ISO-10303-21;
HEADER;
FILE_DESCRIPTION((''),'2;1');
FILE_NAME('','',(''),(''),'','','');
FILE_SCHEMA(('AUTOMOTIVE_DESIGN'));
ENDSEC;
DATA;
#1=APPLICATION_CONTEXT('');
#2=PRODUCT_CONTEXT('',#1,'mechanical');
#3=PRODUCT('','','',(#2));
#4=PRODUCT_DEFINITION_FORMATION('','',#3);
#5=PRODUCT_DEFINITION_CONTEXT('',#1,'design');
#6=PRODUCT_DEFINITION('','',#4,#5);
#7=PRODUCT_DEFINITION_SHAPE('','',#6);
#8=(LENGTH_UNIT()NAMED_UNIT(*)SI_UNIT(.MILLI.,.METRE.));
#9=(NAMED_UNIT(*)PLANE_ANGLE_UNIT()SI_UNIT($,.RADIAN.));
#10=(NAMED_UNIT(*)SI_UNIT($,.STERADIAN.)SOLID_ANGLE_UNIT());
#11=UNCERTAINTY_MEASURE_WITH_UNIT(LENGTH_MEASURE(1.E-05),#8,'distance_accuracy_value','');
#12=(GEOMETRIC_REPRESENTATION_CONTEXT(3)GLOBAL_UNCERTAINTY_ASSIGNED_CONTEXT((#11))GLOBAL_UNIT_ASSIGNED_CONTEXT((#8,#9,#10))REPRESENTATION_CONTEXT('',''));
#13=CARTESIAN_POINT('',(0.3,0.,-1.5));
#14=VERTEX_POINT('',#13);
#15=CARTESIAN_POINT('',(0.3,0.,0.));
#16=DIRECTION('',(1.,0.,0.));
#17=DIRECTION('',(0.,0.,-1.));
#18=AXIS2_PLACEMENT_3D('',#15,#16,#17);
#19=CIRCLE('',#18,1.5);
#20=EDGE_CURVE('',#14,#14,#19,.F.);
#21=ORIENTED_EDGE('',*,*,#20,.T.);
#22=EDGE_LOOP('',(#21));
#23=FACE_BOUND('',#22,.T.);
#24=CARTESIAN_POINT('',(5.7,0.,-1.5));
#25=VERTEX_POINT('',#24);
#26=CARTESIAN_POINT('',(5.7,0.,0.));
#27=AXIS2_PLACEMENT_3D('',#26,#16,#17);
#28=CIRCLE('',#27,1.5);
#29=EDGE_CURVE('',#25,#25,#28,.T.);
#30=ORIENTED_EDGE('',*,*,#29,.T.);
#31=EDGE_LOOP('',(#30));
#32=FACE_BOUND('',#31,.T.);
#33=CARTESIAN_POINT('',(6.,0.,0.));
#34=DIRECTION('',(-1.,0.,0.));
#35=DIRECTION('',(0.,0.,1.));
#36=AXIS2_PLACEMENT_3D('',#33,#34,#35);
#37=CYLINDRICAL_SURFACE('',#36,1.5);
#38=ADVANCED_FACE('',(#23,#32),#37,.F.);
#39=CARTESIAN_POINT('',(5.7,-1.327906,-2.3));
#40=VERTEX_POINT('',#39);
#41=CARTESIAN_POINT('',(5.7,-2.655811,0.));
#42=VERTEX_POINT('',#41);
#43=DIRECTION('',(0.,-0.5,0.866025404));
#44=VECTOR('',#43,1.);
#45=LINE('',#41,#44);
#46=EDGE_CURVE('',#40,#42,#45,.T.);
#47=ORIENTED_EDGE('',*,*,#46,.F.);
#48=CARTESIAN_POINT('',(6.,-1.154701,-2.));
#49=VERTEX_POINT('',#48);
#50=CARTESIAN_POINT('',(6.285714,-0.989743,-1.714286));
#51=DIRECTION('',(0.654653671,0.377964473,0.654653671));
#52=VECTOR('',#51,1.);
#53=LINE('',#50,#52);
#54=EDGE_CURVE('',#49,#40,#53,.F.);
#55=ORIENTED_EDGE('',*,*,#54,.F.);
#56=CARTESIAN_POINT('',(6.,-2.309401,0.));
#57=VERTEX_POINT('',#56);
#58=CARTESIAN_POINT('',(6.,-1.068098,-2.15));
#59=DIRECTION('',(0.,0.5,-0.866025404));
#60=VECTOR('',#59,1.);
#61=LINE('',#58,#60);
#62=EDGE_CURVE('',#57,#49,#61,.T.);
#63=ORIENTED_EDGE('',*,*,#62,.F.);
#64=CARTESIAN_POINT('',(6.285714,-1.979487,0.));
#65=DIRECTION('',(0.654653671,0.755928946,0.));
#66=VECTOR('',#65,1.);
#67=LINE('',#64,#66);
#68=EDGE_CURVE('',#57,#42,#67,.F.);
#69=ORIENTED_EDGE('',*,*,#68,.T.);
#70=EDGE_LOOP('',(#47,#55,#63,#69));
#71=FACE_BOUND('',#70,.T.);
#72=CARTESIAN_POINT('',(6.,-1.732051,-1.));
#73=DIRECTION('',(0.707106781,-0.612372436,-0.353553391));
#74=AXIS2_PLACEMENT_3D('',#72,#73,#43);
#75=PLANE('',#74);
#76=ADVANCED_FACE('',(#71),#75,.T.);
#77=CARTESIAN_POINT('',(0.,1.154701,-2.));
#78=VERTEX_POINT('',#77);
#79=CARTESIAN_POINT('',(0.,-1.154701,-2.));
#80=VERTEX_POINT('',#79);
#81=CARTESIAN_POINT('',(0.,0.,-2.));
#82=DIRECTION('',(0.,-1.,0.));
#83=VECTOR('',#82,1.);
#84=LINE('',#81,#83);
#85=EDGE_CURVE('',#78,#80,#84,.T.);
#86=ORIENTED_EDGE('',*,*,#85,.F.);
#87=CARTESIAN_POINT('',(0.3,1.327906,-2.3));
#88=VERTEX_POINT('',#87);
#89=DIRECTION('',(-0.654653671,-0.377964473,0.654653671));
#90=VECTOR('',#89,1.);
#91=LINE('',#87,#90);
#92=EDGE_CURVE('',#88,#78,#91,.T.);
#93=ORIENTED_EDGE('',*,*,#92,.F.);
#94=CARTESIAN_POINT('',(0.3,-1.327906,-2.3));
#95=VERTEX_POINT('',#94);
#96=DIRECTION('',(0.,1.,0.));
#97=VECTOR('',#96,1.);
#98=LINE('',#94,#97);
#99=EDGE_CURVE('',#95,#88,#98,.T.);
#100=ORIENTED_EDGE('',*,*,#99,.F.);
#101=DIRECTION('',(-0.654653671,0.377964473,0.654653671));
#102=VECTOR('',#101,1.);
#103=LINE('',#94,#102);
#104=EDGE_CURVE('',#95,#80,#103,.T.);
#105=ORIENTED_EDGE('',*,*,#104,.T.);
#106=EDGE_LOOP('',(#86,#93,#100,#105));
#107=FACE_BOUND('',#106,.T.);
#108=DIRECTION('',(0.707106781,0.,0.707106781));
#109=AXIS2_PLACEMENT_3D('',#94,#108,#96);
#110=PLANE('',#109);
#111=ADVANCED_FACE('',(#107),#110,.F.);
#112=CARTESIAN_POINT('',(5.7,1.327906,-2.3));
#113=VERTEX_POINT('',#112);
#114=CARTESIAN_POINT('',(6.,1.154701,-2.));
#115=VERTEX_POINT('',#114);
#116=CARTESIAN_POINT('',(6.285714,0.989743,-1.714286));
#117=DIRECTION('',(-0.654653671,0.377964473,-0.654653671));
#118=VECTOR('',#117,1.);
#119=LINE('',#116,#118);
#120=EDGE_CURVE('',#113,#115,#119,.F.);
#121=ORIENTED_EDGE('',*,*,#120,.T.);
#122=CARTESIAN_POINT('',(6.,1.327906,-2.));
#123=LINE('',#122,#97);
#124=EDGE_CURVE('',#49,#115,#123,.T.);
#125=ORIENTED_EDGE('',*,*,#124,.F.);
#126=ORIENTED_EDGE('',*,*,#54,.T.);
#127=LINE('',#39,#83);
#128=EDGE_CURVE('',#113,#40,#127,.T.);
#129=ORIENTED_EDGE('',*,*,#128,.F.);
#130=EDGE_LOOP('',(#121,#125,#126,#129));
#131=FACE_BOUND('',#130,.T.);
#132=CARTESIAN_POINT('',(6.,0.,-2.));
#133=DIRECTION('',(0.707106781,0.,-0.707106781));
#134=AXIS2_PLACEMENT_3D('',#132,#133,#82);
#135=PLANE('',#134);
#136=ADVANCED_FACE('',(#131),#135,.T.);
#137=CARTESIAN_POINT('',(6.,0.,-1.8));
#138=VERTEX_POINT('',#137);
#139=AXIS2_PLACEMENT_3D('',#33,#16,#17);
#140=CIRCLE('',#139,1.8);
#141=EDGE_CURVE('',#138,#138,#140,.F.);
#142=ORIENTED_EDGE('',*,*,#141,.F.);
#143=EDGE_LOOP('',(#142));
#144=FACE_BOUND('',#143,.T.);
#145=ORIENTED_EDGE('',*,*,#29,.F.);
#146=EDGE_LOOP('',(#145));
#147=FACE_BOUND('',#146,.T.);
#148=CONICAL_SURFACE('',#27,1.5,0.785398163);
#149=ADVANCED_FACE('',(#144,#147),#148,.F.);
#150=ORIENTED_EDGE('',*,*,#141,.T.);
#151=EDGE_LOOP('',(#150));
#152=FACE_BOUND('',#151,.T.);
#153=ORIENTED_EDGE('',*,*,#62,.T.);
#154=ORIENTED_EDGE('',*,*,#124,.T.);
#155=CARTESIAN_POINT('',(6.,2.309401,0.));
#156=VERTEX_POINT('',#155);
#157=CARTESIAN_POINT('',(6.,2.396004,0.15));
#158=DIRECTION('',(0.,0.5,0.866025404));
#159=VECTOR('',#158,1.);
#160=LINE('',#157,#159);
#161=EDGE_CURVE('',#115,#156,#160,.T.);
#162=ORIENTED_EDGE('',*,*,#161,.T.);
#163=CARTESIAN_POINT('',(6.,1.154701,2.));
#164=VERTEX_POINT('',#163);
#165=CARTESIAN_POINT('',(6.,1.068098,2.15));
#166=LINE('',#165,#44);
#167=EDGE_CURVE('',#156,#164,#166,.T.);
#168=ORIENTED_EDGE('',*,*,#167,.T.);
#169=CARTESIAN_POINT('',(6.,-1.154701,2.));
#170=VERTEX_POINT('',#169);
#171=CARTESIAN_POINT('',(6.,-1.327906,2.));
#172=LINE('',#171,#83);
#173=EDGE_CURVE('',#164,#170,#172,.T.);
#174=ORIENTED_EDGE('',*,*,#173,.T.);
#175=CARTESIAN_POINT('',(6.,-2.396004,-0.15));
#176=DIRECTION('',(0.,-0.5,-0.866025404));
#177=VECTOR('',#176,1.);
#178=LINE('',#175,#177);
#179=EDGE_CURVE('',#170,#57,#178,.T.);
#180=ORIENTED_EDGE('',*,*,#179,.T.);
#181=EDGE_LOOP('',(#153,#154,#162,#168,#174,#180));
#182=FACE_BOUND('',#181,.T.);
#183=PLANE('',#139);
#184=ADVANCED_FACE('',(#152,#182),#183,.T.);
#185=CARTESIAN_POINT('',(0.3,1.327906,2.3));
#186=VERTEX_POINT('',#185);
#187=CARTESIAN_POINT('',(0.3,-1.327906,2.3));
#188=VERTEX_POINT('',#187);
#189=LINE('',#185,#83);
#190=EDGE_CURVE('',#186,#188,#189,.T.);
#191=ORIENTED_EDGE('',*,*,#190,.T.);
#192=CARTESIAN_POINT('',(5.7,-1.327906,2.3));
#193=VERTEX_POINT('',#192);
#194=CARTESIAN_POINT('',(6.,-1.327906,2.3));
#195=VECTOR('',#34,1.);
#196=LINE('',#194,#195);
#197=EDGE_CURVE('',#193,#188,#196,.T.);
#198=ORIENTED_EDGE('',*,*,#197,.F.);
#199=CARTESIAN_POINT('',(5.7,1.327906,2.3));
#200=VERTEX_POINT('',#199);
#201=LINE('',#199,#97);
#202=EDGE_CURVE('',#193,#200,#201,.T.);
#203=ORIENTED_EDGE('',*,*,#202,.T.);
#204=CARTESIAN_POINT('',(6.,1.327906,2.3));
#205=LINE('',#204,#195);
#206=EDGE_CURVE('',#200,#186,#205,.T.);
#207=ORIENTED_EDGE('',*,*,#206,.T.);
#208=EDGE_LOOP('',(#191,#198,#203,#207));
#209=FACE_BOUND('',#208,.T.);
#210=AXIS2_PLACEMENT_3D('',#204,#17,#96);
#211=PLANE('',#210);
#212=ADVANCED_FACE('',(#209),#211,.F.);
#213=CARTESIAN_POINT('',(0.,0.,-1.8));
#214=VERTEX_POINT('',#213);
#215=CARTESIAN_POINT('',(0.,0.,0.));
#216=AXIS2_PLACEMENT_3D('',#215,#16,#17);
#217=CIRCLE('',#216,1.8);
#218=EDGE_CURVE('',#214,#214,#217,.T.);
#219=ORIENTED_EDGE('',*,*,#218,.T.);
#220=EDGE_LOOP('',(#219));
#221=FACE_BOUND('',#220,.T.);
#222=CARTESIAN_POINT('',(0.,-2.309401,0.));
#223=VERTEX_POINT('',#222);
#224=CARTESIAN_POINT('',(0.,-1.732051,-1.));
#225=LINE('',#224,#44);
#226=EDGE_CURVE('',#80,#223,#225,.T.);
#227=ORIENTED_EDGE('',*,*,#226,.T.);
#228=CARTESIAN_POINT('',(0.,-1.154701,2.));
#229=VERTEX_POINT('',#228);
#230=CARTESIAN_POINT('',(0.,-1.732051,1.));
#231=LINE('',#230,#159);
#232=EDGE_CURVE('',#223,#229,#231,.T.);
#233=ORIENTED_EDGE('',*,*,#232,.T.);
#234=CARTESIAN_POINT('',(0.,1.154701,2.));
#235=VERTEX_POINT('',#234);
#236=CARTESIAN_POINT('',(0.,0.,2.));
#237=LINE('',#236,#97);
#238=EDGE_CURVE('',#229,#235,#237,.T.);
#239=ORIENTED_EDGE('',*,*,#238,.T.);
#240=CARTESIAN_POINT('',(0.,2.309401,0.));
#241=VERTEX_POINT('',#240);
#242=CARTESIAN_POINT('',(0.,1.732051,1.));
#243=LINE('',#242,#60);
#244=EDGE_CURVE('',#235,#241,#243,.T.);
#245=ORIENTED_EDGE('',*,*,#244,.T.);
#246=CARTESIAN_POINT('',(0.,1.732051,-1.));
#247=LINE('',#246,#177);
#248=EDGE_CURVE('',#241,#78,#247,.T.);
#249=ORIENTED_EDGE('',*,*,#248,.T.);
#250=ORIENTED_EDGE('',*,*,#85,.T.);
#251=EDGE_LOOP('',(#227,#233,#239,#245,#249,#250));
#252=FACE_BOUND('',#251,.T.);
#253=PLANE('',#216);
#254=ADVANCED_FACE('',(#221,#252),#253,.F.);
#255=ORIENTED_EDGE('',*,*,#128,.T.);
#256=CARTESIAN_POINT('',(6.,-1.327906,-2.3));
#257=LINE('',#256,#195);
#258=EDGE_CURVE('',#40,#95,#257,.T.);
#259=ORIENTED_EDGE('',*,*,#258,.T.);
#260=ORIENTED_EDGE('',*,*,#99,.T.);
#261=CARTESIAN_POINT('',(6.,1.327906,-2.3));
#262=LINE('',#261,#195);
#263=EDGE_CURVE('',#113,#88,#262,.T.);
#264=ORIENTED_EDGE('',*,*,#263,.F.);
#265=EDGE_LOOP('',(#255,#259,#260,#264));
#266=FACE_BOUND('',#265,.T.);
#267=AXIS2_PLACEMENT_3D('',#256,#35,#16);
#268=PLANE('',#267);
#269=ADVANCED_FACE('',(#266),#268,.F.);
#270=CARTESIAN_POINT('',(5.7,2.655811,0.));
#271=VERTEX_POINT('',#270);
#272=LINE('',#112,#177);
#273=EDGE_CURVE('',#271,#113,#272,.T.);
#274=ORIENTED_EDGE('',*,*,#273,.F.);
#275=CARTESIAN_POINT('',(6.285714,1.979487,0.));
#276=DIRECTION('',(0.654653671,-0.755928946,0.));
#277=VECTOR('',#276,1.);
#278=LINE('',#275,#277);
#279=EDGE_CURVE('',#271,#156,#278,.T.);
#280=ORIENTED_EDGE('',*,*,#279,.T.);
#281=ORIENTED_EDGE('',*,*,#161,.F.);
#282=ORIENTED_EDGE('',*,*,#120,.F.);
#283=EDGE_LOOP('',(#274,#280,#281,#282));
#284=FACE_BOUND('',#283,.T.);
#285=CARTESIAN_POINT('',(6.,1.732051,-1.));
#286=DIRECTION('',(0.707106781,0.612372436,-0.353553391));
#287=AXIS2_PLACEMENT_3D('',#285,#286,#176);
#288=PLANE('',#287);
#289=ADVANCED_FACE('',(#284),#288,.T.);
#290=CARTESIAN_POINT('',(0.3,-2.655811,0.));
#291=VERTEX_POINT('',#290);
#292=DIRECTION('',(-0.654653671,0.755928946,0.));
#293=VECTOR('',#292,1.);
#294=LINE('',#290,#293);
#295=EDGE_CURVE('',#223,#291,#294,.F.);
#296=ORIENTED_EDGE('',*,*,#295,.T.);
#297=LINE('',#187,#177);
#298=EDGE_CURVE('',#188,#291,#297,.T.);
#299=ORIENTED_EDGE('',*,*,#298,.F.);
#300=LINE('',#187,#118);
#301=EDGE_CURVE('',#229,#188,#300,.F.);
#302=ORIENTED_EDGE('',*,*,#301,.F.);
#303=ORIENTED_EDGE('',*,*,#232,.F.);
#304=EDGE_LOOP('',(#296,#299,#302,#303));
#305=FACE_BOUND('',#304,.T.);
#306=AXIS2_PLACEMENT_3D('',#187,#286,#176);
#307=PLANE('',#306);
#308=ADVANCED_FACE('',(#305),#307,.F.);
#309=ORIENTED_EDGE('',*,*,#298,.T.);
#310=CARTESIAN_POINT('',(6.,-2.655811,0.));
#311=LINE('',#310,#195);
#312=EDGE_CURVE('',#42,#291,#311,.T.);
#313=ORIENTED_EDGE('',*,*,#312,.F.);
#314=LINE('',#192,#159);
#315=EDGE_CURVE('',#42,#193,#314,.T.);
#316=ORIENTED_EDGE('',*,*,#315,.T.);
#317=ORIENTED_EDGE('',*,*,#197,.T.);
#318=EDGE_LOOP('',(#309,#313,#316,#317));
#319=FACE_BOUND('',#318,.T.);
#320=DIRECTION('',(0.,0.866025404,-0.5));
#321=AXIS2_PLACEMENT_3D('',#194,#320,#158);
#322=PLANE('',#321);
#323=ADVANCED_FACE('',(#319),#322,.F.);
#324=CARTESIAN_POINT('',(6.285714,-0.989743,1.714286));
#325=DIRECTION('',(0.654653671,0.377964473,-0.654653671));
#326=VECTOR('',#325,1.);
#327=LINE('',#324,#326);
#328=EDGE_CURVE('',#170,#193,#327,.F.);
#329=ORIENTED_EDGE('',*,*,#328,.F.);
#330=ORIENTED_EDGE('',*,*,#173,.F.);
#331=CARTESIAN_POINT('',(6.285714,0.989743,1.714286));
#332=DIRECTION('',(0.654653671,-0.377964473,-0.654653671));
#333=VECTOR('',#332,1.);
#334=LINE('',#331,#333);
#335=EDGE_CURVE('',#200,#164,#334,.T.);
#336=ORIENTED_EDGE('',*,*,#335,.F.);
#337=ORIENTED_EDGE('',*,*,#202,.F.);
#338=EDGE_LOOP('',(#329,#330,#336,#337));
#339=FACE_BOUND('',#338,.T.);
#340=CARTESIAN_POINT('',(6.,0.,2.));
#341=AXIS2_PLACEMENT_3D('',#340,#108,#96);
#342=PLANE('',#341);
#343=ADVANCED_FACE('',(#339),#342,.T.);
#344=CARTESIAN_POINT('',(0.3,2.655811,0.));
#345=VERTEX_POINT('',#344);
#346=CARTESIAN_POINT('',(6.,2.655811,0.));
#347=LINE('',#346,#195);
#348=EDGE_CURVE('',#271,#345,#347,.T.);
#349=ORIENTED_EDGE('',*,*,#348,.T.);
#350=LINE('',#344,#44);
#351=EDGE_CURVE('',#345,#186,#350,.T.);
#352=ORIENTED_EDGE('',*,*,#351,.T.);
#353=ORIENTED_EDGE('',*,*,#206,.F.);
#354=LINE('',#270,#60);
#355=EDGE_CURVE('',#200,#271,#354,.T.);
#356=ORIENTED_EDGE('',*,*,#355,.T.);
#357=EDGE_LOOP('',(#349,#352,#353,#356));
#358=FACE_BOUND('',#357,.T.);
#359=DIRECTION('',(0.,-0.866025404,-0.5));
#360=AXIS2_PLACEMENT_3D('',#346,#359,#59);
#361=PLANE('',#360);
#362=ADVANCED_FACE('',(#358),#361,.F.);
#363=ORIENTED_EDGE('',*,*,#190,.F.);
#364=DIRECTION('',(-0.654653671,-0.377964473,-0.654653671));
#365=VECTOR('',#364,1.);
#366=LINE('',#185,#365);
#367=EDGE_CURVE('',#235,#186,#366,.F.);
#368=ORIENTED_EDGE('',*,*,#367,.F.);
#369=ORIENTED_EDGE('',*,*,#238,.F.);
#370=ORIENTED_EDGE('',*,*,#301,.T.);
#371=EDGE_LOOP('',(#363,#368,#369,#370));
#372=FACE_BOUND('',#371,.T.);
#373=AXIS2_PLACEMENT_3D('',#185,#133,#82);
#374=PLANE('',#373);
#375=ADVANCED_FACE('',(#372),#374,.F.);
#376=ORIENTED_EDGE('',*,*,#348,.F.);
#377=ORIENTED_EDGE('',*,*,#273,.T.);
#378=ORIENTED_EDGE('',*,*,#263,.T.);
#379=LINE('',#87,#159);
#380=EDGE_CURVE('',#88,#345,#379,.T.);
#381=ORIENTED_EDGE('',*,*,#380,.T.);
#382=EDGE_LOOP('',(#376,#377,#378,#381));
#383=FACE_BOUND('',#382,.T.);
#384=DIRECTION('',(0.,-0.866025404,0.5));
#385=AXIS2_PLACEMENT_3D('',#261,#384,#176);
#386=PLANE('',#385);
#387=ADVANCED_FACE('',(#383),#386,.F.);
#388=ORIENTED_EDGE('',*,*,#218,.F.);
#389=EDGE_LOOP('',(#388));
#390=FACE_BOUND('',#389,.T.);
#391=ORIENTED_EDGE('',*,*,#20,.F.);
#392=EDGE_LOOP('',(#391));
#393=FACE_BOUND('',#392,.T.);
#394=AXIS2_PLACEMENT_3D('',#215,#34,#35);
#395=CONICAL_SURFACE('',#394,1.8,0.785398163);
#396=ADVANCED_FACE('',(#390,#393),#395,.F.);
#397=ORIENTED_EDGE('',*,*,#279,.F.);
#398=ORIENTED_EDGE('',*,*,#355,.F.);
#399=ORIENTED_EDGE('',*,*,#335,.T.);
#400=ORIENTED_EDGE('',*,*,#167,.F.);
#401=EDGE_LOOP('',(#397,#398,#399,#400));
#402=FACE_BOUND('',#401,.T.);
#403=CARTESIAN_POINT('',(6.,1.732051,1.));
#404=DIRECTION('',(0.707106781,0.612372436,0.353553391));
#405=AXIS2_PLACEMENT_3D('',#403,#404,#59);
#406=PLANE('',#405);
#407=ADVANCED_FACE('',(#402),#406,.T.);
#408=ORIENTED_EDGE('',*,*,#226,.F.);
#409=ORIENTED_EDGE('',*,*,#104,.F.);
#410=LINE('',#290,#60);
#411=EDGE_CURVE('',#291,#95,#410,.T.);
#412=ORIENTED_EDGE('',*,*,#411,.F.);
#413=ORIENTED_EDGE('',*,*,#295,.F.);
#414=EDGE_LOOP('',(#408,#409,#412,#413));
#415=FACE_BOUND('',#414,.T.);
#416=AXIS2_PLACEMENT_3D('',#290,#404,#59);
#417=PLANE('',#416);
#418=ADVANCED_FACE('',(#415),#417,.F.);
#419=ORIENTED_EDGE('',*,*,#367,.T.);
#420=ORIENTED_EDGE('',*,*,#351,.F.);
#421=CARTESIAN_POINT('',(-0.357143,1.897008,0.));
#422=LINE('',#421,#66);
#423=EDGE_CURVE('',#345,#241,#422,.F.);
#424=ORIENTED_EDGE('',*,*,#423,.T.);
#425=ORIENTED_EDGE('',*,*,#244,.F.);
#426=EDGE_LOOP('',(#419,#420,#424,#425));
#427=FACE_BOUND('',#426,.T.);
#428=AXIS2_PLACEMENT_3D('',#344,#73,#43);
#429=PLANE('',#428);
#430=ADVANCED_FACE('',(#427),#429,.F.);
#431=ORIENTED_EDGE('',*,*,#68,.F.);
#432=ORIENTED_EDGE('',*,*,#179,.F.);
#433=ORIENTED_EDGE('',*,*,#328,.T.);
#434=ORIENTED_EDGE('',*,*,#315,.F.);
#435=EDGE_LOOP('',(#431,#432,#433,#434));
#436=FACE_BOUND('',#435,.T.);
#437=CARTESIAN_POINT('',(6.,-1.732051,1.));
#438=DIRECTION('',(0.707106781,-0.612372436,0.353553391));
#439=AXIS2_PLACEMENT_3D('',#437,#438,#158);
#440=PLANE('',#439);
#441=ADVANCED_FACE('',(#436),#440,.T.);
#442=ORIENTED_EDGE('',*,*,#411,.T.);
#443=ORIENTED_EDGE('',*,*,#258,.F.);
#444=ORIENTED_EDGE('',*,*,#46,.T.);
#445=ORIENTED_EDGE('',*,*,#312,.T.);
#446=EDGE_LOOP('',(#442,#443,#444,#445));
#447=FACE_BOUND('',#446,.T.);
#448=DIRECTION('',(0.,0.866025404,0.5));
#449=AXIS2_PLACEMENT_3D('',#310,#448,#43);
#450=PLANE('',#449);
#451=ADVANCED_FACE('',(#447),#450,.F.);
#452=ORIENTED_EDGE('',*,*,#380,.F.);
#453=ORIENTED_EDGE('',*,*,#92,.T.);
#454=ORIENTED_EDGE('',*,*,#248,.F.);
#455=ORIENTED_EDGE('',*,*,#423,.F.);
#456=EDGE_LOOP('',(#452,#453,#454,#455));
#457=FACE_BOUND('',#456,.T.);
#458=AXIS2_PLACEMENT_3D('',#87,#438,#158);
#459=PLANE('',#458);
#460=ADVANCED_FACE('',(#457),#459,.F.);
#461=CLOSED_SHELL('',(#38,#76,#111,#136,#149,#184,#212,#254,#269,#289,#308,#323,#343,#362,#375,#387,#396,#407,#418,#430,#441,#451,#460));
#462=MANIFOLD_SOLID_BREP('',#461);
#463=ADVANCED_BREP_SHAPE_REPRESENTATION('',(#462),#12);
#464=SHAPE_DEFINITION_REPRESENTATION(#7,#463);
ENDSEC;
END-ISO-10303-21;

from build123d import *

# Parameters (mm, degrees)
SKETCH_1_R      = 1.5
EXTRUDE_1_DEPTH = 6
CHAMFER_1_SIZE  = 0.3


with BuildPart() as part:
    # 草图1 → 凸台-拉伸1 (new body)
    with BuildSketch(Plane.YZ):
        Polygon((2.655811238, 0), (1.327905619, 2.3), (-1.327905619, 2.3), (-2.655811238, 0), (-1.327905619, -2.3), (1.327905619, -2.3), align=None)
        with Locations(Location((0, 0, 0), (0, 0, 270))):
            Circle(SKETCH_1_R, mode=Mode.SUBTRACT)
    extrude(amount=EXTRUDE_1_DEPTH)

    # 倒角1
    chamfer_1_edges = [part.edges().sort_by_distance(p)[0] for p in [
        (6, 0, 2.3),
        (6, -1.991858429, 1.15),
        (0, 0, 1.5),
        (6, 0, 1.5),
        (6, -1.991858429, -1.15),
        (6, 0, -2.3),
        (6, 1.991858429, -1.15),
        (0, 0, -2.3),
        (0, -1.991858429, -1.15),
        (0, -1.991858429, 1.15),
        (0, 0, 2.3),
        (0, 1.991858429, 1.15),
        (0, 1.991858429, -1.15),
        (6, 1.991858429, 1.15),
    ]]
    chamfer(chamfer_1_edges, length=CHAMFER_1_SIZE)


solid = part.part
